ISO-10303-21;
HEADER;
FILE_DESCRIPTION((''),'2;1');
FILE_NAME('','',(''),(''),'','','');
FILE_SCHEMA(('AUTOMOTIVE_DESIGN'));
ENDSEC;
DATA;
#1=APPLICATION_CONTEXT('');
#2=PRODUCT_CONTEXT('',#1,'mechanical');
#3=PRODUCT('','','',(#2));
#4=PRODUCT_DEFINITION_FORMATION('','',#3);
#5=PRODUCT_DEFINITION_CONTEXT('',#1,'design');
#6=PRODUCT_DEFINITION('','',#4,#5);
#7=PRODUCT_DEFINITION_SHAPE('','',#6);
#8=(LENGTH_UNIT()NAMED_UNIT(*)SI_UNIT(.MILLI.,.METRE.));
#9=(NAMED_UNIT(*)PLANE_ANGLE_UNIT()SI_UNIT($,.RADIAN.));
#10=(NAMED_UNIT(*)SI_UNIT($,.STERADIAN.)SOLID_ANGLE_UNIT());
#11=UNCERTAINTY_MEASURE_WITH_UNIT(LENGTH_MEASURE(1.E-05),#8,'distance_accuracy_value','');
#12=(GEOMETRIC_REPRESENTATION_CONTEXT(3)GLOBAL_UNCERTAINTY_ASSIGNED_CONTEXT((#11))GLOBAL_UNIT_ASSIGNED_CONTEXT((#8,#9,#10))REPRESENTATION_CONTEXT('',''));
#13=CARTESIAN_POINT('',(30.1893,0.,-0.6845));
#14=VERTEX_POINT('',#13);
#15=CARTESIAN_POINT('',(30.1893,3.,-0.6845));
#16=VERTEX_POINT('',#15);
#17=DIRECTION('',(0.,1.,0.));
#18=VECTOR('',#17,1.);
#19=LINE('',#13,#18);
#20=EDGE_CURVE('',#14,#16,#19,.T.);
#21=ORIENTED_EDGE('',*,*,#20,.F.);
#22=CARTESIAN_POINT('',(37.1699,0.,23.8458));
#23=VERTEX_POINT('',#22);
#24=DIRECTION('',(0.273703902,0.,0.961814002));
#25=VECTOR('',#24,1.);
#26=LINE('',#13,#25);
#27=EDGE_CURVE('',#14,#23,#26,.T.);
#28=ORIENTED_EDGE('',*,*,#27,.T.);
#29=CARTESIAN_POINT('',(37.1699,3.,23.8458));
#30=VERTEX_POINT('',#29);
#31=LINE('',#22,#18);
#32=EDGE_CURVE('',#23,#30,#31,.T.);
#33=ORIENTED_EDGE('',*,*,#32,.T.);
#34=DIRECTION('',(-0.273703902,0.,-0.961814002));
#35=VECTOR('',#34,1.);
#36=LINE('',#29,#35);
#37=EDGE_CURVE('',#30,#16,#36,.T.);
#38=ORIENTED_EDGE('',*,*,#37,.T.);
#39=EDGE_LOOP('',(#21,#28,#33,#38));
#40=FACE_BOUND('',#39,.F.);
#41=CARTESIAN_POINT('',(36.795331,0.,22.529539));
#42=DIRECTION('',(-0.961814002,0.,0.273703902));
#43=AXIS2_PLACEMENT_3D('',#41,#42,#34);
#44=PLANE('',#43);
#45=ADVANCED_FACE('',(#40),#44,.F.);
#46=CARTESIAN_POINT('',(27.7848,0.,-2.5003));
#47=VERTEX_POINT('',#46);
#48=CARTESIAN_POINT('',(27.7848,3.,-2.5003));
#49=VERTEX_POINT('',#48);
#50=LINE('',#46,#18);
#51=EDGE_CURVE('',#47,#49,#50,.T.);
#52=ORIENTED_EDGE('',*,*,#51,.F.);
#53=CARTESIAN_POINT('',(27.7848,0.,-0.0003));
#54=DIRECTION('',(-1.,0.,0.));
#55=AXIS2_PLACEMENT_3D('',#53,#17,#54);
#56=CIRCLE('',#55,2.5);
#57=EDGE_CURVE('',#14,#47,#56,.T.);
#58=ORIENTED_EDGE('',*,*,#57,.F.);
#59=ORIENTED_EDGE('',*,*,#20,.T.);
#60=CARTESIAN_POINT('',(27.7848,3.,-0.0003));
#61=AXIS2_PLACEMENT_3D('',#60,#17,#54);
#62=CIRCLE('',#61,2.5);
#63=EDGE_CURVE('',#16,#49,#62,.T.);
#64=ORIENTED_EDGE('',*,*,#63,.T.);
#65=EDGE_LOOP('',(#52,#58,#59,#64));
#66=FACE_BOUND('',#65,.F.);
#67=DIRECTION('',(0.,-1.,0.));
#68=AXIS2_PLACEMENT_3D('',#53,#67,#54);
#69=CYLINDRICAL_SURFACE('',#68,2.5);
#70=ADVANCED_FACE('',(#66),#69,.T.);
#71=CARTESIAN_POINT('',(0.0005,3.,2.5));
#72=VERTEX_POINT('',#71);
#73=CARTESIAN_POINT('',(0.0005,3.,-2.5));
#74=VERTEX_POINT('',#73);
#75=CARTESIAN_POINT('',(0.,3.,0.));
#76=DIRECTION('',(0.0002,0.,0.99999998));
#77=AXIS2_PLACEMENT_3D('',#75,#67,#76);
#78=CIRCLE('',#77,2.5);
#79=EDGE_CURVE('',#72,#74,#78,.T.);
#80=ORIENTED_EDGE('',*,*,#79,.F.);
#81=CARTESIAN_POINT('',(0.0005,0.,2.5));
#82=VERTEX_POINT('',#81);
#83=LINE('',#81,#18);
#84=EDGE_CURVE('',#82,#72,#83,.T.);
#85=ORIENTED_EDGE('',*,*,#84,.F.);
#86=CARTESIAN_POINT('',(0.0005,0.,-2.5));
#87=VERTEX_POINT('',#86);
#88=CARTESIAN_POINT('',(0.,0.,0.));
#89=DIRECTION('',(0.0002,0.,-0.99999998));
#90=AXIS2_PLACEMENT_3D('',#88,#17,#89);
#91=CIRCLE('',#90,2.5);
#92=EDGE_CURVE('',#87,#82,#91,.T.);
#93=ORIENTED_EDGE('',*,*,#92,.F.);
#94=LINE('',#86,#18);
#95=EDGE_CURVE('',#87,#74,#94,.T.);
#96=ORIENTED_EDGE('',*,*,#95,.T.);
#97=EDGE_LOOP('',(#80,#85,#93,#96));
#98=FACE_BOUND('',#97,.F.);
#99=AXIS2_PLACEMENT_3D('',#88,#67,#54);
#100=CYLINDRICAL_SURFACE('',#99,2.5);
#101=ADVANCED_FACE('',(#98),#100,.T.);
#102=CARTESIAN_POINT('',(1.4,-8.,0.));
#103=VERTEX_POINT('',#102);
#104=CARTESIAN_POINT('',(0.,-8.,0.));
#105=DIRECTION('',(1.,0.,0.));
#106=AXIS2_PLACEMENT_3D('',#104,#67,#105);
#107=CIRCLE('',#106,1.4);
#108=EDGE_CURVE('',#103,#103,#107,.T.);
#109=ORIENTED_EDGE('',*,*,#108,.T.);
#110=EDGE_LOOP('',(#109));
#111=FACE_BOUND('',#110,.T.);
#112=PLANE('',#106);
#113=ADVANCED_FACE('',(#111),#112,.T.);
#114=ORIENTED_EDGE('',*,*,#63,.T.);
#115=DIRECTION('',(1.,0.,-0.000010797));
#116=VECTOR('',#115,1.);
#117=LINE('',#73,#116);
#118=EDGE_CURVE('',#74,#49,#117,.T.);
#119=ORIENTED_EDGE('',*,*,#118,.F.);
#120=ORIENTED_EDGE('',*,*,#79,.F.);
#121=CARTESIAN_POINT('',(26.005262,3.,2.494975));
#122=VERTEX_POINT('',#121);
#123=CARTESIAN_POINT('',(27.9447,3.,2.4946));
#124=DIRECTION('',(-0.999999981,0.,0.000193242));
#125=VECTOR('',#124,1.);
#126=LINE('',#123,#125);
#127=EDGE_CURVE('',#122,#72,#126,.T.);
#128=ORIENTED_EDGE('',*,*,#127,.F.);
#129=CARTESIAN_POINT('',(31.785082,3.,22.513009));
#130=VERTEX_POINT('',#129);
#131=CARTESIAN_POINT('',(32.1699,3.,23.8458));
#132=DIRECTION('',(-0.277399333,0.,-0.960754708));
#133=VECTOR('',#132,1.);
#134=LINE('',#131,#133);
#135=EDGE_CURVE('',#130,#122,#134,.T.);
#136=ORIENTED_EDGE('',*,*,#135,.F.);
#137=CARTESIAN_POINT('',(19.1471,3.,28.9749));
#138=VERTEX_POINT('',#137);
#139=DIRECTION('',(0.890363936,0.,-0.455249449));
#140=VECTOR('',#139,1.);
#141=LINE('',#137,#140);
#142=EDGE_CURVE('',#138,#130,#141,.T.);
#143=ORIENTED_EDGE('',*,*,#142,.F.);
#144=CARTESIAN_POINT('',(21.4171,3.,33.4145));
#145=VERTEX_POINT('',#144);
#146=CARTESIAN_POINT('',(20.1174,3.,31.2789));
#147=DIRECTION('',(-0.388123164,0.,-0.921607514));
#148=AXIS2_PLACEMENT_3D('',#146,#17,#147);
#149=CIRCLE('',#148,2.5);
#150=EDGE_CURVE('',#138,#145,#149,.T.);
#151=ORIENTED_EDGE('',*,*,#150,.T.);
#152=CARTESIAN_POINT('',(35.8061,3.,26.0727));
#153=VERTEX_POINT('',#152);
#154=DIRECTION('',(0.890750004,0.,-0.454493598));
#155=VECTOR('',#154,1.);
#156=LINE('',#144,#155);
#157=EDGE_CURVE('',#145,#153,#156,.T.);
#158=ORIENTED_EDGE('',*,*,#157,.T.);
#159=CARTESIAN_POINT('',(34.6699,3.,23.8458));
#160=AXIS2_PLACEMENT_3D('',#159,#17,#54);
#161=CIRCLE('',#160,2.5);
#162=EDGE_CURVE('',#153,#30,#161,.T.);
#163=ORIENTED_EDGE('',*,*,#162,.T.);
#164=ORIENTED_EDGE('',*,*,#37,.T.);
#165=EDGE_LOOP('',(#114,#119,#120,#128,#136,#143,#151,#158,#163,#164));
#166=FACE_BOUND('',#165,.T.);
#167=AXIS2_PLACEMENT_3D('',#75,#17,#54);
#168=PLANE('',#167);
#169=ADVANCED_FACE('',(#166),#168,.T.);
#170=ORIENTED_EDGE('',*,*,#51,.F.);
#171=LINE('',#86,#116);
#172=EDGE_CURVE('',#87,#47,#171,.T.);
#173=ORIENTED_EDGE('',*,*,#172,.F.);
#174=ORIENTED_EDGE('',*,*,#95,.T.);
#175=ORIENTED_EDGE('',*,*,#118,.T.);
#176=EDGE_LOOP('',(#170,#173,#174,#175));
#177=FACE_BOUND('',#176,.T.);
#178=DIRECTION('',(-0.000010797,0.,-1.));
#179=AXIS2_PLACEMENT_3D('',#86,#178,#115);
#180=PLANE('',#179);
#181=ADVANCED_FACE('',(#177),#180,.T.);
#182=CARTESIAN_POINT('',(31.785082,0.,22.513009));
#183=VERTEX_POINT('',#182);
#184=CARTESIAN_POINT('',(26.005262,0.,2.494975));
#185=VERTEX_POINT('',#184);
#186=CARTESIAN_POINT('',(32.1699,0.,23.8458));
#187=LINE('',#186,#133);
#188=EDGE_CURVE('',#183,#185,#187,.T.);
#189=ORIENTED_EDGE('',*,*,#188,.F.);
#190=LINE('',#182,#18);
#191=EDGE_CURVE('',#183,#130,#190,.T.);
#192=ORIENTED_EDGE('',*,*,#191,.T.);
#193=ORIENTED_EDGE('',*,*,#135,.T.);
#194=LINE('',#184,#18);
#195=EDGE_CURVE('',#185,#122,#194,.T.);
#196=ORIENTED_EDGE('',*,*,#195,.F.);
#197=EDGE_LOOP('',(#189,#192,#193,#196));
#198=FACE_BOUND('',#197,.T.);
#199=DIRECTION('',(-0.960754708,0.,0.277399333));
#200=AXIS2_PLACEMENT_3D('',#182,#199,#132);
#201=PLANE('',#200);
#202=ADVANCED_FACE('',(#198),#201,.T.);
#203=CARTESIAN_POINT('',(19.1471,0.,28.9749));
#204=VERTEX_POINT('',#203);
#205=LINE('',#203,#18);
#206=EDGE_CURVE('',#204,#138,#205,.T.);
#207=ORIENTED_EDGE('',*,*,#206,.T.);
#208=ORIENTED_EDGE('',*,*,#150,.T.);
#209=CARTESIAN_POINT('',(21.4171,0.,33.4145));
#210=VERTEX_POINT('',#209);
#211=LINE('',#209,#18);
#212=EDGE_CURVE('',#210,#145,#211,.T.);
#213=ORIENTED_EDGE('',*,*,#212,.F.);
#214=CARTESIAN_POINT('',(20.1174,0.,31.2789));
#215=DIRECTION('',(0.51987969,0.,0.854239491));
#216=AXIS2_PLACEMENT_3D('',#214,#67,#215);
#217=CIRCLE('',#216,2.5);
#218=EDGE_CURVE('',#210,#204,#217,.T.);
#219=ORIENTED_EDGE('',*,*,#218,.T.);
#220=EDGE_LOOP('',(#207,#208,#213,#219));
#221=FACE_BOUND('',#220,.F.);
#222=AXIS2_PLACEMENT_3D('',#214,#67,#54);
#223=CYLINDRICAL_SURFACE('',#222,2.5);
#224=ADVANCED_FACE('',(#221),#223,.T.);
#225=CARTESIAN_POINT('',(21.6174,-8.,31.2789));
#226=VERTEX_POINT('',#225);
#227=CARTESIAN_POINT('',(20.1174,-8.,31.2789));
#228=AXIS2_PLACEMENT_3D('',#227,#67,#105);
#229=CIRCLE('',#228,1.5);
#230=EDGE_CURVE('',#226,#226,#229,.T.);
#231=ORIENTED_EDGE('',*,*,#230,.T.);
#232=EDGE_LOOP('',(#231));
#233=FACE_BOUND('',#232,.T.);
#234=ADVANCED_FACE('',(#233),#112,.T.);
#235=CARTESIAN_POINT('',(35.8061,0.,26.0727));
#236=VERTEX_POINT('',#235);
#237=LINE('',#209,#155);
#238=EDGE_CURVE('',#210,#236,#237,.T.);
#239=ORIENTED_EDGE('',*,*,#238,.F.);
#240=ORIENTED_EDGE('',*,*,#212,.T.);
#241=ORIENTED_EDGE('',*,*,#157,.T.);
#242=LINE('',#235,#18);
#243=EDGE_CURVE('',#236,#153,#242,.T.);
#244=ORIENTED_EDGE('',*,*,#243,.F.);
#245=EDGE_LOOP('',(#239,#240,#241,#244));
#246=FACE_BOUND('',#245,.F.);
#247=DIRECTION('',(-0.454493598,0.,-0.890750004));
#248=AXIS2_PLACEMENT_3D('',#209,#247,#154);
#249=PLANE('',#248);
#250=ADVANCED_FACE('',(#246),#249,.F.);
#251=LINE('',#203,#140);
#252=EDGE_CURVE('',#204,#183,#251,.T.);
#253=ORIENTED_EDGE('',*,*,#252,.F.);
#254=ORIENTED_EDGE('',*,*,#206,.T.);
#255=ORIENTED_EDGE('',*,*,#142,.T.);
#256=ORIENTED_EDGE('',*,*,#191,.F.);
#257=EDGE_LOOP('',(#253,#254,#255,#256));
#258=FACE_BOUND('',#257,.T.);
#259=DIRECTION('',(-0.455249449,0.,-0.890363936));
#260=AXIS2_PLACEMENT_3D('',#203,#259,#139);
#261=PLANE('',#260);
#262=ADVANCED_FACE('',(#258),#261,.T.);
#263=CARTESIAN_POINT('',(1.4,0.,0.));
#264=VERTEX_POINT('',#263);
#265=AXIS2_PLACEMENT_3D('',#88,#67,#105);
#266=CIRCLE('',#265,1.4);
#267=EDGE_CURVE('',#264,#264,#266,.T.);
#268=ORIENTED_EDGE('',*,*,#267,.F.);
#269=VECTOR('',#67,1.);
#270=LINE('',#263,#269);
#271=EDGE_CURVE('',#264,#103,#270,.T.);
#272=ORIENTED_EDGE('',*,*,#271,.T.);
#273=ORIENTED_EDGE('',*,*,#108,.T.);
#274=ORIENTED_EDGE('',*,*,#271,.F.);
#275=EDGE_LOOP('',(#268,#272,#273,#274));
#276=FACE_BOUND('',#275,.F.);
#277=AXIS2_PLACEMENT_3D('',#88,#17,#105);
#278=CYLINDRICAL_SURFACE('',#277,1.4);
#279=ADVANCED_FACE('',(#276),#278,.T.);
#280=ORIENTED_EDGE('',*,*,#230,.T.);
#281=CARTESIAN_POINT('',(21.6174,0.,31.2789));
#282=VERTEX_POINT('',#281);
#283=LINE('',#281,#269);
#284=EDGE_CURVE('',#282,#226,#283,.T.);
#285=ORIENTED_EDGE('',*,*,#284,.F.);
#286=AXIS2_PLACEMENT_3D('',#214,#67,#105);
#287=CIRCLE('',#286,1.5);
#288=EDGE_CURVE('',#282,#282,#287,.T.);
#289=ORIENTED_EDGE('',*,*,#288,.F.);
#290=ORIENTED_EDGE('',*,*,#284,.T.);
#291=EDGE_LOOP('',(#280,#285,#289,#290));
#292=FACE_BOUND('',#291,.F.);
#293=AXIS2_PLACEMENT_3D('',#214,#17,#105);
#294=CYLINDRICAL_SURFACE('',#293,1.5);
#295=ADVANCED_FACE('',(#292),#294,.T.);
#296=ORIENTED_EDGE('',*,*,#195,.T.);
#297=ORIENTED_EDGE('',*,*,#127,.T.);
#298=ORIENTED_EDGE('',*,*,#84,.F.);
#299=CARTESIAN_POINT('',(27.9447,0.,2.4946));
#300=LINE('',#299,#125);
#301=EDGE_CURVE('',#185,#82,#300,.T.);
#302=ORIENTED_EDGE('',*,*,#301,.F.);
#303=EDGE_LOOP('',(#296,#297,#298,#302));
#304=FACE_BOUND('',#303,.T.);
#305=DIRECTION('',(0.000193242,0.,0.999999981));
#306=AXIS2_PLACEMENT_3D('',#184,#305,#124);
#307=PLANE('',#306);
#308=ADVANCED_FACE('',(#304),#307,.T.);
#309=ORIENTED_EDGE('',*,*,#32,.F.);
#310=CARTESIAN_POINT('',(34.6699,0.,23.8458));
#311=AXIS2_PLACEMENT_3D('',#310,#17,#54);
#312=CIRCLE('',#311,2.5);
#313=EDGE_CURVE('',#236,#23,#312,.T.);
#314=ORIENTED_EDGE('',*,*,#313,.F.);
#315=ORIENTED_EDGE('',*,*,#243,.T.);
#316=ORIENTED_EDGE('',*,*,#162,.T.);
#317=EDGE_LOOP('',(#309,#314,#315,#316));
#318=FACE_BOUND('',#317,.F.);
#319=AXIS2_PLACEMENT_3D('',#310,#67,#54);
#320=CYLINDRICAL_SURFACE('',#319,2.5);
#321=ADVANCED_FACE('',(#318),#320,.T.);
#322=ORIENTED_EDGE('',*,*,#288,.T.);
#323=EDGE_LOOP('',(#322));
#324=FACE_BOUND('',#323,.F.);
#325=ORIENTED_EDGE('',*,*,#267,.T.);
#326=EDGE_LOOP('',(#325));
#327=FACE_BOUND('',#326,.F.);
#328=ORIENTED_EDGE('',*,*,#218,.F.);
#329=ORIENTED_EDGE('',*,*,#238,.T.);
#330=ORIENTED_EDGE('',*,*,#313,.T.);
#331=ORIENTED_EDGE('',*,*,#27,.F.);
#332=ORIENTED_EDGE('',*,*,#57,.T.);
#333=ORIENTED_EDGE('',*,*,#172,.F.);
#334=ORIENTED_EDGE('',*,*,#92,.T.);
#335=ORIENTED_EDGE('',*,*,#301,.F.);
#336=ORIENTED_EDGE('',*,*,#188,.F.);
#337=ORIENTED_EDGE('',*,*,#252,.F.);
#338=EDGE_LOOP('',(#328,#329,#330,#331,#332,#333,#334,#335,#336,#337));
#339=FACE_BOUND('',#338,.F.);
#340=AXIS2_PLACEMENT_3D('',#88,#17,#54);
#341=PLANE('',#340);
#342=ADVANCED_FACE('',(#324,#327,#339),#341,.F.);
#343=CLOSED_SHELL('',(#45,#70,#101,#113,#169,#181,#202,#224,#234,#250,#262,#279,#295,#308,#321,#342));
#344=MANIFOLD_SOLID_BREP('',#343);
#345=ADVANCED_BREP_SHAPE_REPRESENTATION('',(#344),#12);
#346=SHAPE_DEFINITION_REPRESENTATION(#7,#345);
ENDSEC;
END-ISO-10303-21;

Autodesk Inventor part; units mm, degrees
ref_plane "YZ Plane" through (0, 0, 0) normal (1, 0, 0) x (0, 1, 0)
ref_plane "XZ Plane" through (0, 0, 0) normal (0, 1, 0) x (-1, 0, 0)
ref_plane "XY Plane" through (0, 0, 0) normal (0, 0, 1) x (1, 0, 0)
sketch "Sketch1" plane through (0, 0, 0) normal (0, 1, 0) x (-1, 0, 0)
  circle A0 centre (0, 0) radius 2.5
  circle A1 centre (-27.7848, -0.0003) radius 2.5
  circle A2 centre (-34.6699, 23.8458) radius 2.5
  circle A3 centre (-20.1174, 31.2789) radius 2.5
  line L0 (-32.1699, 23.8458) -> (-25.2848, -0.0003)
  line L1 (-37.1699, 23.8458) -> (-30.1893, -0.6845)
  line L2 (-27.9447, 2.4946) -> (-0.0005, 2.5)
  line L3 (-0.0005, -2.5) -> (-27.7848, -2.5003)
  line L4 (-19.1471, 28.9749) -> (-33.5318, 21.6199)
  arc A4 (-33.5318, 21.6199) -> (-35.8061, 26.0727) centre (-34.6699, 23.8458) ccw
  line L5 (-21.4171, 33.4145) -> (-35.8061, 26.0727)
  dimension "d0" = 5
  dimension "d1" = 5
  dimension "d2" = 5
  dimension "d3" = 5
extrude "Extrusion1" add sketch "Sketch1" along normal blind 3 contours A0 | A0 L3 A1 L0 L2 | L0 A1 L1 A2 L4 | A1 L0 | L4 A2 L0 | L0 A2 L5 A3 L4 | A1 L0 | A2 L1 | A3 picked at (-35.4421, 23.1763)
sketch "Sketch2" plane through (0, 0, 0) normal (0, -1, 0) x (1, 0, 0)
  circle A0 centre (0, 0) radius 1.4
  dimension "d6" = 2.8
extrude "Extrusion2" add sketch "Sketch2" along normal blind 8
thread "Thread3" size "M3x0.5" class "6g" standard "ANSI Metric M Profile" full length
sketch "Sketch3" plane through (0, 3, 0) normal (0, 1, 0) x (1, 0, 0)
  point P0 (0, 0)
sketch "Sketch4" plane through (0, 0, 0) normal (0, -1, 0) x (1, 0, 0)
  arc A0 (21.4171, 33.4145) -> (19.1471, 28.9749) centre (20.1174, 31.2789) ccw projected
  circle A1 centre (20.1174, 31.2789) radius 1.5
  point P0 (0, 0)
  dimension "d15" = 3
extrude "Extrusion3" add sketch "Sketch4" along normal blind 8
thread "Thread4" size "M3x0.5" class "6g" standard "ANSI Metric M Profile" full length
properties part number "Servo_Arm_Hook_new"
